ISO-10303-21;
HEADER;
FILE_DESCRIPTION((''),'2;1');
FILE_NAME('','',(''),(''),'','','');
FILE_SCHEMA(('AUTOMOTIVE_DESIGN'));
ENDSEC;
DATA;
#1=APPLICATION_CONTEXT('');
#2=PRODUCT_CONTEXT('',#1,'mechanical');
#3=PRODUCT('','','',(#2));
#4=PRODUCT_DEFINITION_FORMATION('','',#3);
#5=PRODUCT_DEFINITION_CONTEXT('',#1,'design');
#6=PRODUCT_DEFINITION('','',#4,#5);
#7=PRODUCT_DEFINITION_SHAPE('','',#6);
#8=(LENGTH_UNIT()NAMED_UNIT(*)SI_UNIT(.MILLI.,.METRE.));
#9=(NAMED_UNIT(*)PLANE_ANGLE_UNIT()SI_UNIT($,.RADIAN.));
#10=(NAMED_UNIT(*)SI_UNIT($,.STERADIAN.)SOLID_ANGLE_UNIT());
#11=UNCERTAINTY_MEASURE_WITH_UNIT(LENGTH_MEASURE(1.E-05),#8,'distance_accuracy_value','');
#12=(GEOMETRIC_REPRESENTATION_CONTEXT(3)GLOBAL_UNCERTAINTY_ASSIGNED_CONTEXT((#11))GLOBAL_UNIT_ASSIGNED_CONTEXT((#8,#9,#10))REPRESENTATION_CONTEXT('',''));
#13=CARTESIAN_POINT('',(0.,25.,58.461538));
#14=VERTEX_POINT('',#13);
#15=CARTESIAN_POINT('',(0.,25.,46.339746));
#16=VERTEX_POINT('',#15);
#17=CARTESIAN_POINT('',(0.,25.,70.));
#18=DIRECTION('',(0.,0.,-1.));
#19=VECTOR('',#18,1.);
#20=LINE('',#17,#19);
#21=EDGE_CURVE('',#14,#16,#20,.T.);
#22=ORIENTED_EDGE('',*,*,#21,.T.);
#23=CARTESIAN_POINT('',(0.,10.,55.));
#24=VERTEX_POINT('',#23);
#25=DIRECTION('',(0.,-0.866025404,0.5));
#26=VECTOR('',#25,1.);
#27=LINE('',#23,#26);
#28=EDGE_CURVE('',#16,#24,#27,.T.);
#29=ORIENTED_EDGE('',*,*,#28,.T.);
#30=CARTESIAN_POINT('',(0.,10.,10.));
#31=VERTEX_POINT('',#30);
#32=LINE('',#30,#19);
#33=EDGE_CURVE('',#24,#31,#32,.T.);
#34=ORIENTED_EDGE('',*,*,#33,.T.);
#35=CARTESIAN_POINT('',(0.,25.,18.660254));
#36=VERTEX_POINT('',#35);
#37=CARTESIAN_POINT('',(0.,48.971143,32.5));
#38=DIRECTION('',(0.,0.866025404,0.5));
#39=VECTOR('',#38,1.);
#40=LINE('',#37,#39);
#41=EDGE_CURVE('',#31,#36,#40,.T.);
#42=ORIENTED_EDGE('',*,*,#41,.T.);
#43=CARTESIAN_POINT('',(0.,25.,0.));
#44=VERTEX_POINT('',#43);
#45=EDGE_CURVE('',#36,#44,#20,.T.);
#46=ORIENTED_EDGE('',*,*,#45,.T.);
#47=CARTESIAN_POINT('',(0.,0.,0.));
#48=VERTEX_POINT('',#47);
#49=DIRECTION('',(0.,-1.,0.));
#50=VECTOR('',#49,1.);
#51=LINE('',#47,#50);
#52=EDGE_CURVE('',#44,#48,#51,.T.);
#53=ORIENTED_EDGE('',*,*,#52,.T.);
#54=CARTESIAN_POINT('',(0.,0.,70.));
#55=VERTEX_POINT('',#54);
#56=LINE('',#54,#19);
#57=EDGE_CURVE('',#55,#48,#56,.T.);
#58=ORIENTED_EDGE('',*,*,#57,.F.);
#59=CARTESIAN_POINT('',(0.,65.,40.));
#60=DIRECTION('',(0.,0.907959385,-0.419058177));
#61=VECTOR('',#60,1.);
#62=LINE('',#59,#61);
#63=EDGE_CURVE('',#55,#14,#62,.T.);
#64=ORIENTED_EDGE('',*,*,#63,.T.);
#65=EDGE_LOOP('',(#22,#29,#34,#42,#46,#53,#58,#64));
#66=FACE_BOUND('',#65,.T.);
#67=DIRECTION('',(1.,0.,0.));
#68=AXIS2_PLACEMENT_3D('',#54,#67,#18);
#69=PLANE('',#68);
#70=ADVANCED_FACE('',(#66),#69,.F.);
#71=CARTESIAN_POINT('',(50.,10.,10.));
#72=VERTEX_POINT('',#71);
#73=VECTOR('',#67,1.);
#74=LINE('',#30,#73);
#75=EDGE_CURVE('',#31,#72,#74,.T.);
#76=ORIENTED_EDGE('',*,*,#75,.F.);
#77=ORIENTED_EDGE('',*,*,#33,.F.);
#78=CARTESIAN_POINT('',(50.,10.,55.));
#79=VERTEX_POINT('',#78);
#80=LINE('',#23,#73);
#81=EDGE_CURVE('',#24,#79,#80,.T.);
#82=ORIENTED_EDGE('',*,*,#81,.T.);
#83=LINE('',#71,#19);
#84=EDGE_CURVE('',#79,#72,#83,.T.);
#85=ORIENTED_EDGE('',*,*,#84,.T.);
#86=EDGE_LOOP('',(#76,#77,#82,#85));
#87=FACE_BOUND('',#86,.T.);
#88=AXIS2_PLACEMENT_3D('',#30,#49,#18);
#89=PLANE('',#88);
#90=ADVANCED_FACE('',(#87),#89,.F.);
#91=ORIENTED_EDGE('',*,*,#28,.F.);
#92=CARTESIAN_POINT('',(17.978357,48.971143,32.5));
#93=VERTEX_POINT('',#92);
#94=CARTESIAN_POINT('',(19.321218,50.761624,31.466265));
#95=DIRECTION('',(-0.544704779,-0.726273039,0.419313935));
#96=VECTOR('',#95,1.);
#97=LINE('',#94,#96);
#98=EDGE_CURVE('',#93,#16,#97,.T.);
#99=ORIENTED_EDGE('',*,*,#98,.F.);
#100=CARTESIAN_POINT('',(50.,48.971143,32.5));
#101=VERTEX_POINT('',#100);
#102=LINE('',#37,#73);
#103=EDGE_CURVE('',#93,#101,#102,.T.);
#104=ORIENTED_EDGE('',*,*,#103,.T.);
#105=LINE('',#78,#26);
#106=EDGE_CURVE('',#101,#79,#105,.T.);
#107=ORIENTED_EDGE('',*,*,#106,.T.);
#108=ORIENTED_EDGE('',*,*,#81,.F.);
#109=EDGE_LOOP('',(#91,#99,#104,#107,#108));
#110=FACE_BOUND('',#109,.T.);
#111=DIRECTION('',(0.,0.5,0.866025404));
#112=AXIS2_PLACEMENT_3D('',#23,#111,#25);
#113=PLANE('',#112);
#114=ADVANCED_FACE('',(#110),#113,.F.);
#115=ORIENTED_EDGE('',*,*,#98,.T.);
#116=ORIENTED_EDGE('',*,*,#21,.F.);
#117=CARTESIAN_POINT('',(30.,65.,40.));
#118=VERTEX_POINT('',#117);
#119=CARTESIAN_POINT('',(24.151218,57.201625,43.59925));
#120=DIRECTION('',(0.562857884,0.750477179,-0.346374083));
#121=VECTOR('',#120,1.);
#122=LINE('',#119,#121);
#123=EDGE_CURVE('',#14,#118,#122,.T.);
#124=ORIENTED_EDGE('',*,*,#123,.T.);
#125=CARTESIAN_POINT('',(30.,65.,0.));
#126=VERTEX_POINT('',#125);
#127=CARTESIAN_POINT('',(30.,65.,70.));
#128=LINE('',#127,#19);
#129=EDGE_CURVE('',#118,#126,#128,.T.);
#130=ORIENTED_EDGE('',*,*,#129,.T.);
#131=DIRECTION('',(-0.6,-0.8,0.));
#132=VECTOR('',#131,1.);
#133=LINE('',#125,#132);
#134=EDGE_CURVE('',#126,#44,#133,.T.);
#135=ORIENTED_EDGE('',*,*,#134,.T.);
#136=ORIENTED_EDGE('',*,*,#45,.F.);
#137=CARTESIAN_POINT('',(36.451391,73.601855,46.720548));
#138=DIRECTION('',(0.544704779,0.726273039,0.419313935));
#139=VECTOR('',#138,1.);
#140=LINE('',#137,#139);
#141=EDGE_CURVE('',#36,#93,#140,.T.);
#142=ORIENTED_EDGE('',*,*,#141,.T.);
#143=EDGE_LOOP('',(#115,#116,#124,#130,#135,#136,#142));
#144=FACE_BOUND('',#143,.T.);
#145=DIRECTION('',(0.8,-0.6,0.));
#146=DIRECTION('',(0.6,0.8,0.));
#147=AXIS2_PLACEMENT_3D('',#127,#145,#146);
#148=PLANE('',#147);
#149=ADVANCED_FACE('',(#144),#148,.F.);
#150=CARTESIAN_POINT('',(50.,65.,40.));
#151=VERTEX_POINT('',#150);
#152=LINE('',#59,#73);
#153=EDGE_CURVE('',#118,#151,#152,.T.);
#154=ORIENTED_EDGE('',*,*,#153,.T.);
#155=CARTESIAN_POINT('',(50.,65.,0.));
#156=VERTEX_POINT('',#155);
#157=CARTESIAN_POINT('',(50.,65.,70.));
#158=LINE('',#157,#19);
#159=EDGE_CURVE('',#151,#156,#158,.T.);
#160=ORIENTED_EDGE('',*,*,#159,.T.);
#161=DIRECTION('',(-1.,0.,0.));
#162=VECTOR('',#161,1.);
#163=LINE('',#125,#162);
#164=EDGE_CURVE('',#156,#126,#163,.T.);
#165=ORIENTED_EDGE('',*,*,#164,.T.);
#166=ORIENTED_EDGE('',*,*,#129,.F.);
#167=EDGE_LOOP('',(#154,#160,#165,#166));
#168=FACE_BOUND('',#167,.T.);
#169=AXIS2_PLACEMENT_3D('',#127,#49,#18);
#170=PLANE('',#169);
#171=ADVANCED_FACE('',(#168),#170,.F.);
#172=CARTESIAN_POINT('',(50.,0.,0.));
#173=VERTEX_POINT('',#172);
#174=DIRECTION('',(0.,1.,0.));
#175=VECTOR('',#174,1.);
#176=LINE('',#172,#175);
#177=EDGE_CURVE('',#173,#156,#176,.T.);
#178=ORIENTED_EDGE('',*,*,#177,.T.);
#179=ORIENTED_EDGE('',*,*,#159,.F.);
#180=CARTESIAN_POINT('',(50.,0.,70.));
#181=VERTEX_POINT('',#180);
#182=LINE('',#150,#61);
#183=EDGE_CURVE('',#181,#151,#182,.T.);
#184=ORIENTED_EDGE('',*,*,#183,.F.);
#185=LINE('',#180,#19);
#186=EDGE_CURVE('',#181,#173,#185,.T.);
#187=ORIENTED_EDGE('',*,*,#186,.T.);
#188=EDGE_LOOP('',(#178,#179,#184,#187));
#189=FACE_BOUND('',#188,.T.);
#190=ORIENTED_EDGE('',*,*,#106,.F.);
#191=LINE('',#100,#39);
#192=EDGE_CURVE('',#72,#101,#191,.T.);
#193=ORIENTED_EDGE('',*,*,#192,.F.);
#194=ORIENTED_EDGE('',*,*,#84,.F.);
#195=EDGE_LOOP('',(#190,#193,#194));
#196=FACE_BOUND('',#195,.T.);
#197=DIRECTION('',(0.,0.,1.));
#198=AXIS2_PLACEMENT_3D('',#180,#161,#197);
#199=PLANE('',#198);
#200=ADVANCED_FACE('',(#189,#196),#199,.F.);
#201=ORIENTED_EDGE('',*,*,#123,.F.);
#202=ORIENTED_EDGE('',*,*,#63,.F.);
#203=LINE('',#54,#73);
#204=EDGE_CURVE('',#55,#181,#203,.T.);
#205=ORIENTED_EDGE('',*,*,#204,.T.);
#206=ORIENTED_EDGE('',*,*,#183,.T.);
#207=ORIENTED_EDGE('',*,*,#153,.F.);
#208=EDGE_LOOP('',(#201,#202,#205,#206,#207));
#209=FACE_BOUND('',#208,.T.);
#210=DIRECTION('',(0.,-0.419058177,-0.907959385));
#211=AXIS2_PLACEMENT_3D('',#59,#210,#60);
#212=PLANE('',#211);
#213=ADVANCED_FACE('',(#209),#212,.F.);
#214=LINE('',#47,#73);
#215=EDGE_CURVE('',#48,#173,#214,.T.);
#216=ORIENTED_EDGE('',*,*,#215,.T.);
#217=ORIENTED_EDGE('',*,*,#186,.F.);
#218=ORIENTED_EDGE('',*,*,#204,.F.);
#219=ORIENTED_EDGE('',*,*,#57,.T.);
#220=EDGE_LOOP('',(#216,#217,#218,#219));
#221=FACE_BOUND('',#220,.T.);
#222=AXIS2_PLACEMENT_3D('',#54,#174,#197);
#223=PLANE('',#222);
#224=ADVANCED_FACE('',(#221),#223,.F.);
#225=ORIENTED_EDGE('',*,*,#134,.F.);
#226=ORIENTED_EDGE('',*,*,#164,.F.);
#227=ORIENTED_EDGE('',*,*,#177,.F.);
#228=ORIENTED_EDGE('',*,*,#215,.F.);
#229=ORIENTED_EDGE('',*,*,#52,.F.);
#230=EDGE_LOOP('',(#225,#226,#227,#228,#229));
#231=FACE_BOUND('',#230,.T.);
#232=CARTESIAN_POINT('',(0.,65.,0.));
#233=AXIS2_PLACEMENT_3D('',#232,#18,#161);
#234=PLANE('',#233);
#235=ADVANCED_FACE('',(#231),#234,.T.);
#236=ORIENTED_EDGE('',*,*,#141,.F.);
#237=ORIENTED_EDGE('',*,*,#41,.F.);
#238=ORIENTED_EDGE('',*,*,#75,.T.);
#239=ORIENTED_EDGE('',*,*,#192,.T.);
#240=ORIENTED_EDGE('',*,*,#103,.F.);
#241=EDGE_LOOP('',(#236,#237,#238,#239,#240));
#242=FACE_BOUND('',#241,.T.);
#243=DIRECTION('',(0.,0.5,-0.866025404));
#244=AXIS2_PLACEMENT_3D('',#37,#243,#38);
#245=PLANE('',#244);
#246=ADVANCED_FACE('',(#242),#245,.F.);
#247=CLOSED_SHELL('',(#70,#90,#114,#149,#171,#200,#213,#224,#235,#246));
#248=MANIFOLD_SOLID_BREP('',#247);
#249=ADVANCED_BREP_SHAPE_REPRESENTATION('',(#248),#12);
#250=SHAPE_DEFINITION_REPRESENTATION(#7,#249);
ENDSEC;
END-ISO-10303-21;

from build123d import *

# Parameters (mm, degrees)
EXTRUDE1_DEPTH     = 70
CUT_EXTRUDE1_DEPTH = 51


with BuildPart() as part:
    # Sketch1 → Extrude1 (new body)
    with BuildSketch(Plane.XY):
        Polygon((30, 65), (0, 25), (0, 0), (50, 0), (50, 65), align=None)
    extrude(amount=EXTRUDE1_DEPTH)

    # Sketch2 → Cut-Extrude1 (cut, through all)
    with BuildSketch(Plane(origin=(50, 0, 0), x_dir=(0, 0, -1), z_dir=(1, 0, 0))):
        Polygon((-70, 0), (-70, 65), (-40, 65), align=None)
        Polygon((-32.5, 48.97114317), (-10, 10), (-55, 10), align=None)
    extrude(amount=-CUT_EXTRUDE1_DEPTH, mode=Mode.SUBTRACT)


solid = part.part
